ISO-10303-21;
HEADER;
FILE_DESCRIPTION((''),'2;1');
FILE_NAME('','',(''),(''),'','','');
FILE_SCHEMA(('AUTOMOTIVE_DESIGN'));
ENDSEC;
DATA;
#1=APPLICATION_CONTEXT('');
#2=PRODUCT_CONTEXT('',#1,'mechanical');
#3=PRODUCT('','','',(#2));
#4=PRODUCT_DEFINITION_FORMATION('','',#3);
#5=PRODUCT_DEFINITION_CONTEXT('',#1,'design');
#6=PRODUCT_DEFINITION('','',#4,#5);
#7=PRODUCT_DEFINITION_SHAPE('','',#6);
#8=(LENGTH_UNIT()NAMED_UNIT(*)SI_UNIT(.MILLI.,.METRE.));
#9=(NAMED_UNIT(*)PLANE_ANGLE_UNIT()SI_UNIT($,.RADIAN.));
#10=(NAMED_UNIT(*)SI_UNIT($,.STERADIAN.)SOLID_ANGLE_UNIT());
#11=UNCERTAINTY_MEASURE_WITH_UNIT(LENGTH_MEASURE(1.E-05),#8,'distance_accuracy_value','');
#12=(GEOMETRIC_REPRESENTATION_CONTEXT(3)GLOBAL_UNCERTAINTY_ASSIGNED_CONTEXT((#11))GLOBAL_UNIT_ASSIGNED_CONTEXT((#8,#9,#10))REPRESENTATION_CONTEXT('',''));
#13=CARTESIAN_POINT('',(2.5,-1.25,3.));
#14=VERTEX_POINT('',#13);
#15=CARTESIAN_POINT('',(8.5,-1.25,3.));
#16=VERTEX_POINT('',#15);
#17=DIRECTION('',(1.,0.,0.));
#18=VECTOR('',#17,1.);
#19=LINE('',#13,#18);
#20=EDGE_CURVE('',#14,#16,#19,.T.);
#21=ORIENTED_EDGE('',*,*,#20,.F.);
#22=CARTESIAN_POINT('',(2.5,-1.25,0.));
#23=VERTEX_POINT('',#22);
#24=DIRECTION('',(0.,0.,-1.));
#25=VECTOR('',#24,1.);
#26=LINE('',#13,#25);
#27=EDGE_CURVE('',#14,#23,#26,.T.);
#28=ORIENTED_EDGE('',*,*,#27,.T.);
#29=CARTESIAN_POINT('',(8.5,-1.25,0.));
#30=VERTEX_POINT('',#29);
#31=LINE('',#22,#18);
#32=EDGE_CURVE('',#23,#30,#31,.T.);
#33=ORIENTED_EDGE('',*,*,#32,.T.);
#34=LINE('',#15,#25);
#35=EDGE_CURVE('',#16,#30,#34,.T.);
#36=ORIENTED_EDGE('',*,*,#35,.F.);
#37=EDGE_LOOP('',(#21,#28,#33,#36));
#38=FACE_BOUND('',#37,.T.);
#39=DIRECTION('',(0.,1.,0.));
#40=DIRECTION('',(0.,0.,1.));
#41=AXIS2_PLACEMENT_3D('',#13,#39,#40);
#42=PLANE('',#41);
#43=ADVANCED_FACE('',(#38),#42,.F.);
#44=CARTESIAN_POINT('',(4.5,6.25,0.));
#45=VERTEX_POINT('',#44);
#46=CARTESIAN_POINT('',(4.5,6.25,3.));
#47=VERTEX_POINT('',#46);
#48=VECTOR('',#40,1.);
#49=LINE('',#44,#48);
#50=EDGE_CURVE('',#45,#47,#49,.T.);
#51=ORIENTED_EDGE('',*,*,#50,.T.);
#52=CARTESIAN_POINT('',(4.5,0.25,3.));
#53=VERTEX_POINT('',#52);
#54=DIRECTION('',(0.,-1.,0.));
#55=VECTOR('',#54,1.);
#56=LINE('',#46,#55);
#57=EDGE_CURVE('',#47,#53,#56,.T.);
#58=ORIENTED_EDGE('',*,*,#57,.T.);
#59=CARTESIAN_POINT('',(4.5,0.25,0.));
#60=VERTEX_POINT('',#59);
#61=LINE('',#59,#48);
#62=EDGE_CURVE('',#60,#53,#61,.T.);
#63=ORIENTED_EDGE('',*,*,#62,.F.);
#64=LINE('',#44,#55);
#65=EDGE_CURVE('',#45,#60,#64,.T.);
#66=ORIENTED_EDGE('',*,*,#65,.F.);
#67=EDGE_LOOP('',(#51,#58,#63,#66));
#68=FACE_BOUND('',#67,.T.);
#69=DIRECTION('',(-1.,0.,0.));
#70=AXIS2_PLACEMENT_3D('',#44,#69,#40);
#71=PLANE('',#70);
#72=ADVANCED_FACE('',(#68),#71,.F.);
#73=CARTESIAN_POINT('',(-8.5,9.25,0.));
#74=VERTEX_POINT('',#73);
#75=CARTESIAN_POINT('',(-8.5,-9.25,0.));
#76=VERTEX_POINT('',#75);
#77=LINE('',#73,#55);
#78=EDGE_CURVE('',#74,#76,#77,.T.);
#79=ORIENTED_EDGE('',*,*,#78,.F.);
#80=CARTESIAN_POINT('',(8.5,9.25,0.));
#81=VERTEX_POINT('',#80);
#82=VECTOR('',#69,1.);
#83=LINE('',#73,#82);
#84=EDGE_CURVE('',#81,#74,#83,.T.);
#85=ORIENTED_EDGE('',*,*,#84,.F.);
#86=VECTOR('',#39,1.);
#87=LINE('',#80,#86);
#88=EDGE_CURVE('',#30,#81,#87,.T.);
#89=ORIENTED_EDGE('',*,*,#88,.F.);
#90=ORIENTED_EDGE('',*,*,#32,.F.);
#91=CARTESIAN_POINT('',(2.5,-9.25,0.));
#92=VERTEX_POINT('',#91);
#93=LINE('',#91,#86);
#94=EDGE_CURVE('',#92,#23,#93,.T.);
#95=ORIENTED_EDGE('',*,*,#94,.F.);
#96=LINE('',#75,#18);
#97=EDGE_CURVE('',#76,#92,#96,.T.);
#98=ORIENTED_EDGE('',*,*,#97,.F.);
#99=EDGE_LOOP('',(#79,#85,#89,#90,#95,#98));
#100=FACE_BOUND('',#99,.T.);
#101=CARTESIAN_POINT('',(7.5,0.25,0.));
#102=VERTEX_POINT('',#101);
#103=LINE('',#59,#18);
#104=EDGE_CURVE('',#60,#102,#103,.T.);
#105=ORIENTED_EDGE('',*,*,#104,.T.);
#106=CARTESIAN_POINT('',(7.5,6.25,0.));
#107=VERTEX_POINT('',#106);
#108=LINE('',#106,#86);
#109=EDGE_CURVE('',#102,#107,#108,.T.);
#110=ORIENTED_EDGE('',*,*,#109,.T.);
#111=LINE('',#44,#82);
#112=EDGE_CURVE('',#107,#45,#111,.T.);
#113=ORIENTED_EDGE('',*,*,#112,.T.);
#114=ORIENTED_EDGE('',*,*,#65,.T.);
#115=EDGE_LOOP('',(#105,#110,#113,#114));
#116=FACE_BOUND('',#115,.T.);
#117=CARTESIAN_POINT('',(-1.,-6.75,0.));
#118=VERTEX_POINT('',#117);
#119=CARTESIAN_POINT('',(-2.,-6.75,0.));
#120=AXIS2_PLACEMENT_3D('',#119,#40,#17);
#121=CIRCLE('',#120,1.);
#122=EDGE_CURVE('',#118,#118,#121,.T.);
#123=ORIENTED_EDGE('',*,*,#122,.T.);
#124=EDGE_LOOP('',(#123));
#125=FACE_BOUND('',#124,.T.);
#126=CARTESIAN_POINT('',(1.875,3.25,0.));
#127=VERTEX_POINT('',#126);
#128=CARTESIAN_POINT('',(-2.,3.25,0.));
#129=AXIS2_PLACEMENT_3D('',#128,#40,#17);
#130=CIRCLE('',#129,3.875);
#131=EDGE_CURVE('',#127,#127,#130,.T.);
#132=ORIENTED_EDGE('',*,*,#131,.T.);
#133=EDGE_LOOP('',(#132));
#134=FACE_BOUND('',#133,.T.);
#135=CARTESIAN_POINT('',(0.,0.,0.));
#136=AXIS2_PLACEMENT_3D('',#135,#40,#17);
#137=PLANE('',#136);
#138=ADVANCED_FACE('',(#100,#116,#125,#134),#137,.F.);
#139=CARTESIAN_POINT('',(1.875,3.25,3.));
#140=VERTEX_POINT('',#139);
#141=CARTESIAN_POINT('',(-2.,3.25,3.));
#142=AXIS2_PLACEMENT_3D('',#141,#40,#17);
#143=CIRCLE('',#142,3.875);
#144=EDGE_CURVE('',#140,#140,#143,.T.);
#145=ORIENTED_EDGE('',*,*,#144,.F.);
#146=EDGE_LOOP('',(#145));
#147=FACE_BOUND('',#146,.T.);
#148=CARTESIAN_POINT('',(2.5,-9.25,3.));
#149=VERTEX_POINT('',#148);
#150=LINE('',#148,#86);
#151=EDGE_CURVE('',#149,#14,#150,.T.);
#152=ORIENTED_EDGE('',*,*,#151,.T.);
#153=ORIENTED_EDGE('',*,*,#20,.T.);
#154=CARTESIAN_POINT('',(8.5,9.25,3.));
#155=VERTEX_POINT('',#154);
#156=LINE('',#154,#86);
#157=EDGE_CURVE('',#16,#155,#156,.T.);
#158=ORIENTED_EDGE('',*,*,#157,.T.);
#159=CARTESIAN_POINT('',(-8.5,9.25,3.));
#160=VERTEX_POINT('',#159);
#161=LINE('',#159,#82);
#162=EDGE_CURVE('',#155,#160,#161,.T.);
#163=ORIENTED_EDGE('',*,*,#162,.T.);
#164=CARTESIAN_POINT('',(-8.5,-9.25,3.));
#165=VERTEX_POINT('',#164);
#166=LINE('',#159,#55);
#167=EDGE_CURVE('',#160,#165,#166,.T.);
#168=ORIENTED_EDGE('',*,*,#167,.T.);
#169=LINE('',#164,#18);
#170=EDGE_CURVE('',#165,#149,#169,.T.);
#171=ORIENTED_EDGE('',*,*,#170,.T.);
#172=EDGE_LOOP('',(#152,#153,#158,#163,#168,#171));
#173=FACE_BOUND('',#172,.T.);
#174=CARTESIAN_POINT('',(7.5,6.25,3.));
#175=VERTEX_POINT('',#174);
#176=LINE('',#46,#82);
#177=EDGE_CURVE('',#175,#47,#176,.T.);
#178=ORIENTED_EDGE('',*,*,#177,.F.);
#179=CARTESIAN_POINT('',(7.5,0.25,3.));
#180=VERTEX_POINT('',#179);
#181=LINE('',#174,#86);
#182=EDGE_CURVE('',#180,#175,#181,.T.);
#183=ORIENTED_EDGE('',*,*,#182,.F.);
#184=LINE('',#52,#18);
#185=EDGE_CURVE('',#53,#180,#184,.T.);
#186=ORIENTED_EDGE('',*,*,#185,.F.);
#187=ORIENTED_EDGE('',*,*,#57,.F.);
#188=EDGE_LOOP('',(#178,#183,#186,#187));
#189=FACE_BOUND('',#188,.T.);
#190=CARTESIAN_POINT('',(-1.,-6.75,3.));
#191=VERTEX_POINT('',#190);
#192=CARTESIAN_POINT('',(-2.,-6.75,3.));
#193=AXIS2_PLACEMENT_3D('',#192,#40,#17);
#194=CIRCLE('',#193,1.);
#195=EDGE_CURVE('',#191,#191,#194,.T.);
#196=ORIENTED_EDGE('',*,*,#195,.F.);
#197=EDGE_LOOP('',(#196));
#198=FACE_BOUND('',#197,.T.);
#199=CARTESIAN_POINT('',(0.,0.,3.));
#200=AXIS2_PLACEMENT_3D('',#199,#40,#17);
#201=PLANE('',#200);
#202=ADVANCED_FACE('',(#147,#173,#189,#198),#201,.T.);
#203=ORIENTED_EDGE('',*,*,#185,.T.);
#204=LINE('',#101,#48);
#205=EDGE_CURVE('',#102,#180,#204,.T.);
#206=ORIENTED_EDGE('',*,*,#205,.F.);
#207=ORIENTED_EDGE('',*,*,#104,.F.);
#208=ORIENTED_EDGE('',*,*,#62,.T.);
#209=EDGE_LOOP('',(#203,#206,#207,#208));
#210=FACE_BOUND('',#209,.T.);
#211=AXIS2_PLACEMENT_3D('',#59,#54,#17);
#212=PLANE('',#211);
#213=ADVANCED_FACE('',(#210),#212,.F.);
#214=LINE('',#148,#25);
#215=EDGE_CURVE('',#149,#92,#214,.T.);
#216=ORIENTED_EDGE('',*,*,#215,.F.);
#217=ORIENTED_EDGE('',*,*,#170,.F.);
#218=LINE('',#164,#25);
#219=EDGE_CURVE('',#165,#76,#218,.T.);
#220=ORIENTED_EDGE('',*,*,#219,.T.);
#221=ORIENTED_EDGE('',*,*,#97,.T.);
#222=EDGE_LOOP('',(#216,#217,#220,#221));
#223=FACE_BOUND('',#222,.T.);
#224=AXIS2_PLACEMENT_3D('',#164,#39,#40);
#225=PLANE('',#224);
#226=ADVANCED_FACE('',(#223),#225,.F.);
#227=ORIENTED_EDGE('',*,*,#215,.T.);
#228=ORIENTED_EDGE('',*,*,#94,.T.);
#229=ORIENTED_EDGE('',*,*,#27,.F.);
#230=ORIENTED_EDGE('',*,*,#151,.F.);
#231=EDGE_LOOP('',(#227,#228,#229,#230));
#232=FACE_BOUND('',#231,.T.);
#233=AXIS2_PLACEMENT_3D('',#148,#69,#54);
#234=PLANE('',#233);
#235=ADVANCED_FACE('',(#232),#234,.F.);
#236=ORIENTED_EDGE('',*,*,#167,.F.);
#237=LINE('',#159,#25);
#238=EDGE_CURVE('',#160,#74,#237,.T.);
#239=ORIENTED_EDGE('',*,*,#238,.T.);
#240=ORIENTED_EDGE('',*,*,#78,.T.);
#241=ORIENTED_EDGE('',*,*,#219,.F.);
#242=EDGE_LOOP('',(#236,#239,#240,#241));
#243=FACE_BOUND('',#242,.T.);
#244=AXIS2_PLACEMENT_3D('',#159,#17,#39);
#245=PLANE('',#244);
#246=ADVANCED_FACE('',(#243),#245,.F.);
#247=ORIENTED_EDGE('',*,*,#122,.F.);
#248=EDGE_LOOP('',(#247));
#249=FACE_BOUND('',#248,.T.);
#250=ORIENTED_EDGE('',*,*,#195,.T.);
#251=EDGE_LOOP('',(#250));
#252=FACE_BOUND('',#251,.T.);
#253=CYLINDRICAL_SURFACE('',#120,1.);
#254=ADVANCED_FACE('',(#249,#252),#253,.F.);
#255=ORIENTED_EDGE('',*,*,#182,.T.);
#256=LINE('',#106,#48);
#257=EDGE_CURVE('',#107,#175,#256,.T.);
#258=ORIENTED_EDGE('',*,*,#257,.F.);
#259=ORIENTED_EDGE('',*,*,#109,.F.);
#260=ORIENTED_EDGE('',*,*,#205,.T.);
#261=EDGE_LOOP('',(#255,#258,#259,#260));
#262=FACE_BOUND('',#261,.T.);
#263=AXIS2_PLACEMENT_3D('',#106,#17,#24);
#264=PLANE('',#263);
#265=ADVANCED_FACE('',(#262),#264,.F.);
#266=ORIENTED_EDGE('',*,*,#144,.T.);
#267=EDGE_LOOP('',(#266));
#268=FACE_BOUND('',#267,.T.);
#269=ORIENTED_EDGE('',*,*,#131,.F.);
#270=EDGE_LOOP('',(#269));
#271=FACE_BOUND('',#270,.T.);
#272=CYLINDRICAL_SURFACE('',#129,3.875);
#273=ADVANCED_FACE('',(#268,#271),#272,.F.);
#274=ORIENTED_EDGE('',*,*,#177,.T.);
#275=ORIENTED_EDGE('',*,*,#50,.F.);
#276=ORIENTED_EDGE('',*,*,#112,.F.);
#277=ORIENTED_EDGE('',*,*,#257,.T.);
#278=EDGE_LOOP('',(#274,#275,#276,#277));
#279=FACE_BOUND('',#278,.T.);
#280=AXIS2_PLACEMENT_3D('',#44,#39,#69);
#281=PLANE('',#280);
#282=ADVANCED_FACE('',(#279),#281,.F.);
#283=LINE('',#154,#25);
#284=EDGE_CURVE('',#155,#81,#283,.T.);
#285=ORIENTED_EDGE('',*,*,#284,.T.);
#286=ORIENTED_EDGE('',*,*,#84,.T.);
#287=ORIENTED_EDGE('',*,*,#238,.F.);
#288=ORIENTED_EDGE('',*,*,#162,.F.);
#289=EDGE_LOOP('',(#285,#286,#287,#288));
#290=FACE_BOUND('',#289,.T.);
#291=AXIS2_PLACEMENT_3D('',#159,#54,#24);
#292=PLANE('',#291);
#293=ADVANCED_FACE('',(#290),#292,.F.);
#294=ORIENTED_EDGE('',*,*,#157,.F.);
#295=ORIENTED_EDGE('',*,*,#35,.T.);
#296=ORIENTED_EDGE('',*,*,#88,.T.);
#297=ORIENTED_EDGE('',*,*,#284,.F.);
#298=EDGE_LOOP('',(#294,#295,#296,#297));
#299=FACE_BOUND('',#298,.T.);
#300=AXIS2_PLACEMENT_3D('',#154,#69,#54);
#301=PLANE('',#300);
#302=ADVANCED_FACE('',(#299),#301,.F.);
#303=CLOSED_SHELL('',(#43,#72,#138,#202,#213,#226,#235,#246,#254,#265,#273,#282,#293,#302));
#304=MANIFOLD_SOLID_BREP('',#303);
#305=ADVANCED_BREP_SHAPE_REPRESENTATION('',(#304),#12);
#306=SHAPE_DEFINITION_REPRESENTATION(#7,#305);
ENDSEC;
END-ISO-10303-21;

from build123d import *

# Parameters (mm, degrees)
BOSS_EXTRUDE3_DEPTH = 3
SKETCH6_W           = 3
SKETCH6_H           = 6
CUT_EXTRUDE2_DEPTH  = 3
SKETCH7_R           = 3.875
SKETCH7_R_2         = 1
CUT_EXTRUDE3_DEPTH  = 3


with BuildPart() as part:
    # Sketch3 → Boss-Extrude3 (new body)
    with BuildSketch(Plane.XY):
        Polygon((2.5, -9.25), (2.5, -1.25), (8.5, -1.25), (8.5, 9.25), (-8.5, 9.25), (-8.5, -9.25), align=None)
    extrude(amount=BOSS_EXTRUDE3_DEPTH)

    # Sketch6 → Cut-Extrude2 (cut)
    with BuildSketch(Plane.XY.offset(3)):
        with Locations((6, 3.25)):
            Rectangle(SKETCH6_W, SKETCH6_H)
    extrude(amount=-CUT_EXTRUDE2_DEPTH, mode=Mode.SUBTRACT)

    # Sketch7 → Cut-Extrude3 (cut)
    with BuildSketch(Plane.XY.offset(3)):
        with Locations((-2, 3.25)):
            Circle(SKETCH7_R)
        with Locations((-2, -6.75)):
            Circle(SKETCH7_R_2)
    extrude(amount=-CUT_EXTRUDE3_DEPTH, mode=Mode.SUBTRACT)


solid = part.part
